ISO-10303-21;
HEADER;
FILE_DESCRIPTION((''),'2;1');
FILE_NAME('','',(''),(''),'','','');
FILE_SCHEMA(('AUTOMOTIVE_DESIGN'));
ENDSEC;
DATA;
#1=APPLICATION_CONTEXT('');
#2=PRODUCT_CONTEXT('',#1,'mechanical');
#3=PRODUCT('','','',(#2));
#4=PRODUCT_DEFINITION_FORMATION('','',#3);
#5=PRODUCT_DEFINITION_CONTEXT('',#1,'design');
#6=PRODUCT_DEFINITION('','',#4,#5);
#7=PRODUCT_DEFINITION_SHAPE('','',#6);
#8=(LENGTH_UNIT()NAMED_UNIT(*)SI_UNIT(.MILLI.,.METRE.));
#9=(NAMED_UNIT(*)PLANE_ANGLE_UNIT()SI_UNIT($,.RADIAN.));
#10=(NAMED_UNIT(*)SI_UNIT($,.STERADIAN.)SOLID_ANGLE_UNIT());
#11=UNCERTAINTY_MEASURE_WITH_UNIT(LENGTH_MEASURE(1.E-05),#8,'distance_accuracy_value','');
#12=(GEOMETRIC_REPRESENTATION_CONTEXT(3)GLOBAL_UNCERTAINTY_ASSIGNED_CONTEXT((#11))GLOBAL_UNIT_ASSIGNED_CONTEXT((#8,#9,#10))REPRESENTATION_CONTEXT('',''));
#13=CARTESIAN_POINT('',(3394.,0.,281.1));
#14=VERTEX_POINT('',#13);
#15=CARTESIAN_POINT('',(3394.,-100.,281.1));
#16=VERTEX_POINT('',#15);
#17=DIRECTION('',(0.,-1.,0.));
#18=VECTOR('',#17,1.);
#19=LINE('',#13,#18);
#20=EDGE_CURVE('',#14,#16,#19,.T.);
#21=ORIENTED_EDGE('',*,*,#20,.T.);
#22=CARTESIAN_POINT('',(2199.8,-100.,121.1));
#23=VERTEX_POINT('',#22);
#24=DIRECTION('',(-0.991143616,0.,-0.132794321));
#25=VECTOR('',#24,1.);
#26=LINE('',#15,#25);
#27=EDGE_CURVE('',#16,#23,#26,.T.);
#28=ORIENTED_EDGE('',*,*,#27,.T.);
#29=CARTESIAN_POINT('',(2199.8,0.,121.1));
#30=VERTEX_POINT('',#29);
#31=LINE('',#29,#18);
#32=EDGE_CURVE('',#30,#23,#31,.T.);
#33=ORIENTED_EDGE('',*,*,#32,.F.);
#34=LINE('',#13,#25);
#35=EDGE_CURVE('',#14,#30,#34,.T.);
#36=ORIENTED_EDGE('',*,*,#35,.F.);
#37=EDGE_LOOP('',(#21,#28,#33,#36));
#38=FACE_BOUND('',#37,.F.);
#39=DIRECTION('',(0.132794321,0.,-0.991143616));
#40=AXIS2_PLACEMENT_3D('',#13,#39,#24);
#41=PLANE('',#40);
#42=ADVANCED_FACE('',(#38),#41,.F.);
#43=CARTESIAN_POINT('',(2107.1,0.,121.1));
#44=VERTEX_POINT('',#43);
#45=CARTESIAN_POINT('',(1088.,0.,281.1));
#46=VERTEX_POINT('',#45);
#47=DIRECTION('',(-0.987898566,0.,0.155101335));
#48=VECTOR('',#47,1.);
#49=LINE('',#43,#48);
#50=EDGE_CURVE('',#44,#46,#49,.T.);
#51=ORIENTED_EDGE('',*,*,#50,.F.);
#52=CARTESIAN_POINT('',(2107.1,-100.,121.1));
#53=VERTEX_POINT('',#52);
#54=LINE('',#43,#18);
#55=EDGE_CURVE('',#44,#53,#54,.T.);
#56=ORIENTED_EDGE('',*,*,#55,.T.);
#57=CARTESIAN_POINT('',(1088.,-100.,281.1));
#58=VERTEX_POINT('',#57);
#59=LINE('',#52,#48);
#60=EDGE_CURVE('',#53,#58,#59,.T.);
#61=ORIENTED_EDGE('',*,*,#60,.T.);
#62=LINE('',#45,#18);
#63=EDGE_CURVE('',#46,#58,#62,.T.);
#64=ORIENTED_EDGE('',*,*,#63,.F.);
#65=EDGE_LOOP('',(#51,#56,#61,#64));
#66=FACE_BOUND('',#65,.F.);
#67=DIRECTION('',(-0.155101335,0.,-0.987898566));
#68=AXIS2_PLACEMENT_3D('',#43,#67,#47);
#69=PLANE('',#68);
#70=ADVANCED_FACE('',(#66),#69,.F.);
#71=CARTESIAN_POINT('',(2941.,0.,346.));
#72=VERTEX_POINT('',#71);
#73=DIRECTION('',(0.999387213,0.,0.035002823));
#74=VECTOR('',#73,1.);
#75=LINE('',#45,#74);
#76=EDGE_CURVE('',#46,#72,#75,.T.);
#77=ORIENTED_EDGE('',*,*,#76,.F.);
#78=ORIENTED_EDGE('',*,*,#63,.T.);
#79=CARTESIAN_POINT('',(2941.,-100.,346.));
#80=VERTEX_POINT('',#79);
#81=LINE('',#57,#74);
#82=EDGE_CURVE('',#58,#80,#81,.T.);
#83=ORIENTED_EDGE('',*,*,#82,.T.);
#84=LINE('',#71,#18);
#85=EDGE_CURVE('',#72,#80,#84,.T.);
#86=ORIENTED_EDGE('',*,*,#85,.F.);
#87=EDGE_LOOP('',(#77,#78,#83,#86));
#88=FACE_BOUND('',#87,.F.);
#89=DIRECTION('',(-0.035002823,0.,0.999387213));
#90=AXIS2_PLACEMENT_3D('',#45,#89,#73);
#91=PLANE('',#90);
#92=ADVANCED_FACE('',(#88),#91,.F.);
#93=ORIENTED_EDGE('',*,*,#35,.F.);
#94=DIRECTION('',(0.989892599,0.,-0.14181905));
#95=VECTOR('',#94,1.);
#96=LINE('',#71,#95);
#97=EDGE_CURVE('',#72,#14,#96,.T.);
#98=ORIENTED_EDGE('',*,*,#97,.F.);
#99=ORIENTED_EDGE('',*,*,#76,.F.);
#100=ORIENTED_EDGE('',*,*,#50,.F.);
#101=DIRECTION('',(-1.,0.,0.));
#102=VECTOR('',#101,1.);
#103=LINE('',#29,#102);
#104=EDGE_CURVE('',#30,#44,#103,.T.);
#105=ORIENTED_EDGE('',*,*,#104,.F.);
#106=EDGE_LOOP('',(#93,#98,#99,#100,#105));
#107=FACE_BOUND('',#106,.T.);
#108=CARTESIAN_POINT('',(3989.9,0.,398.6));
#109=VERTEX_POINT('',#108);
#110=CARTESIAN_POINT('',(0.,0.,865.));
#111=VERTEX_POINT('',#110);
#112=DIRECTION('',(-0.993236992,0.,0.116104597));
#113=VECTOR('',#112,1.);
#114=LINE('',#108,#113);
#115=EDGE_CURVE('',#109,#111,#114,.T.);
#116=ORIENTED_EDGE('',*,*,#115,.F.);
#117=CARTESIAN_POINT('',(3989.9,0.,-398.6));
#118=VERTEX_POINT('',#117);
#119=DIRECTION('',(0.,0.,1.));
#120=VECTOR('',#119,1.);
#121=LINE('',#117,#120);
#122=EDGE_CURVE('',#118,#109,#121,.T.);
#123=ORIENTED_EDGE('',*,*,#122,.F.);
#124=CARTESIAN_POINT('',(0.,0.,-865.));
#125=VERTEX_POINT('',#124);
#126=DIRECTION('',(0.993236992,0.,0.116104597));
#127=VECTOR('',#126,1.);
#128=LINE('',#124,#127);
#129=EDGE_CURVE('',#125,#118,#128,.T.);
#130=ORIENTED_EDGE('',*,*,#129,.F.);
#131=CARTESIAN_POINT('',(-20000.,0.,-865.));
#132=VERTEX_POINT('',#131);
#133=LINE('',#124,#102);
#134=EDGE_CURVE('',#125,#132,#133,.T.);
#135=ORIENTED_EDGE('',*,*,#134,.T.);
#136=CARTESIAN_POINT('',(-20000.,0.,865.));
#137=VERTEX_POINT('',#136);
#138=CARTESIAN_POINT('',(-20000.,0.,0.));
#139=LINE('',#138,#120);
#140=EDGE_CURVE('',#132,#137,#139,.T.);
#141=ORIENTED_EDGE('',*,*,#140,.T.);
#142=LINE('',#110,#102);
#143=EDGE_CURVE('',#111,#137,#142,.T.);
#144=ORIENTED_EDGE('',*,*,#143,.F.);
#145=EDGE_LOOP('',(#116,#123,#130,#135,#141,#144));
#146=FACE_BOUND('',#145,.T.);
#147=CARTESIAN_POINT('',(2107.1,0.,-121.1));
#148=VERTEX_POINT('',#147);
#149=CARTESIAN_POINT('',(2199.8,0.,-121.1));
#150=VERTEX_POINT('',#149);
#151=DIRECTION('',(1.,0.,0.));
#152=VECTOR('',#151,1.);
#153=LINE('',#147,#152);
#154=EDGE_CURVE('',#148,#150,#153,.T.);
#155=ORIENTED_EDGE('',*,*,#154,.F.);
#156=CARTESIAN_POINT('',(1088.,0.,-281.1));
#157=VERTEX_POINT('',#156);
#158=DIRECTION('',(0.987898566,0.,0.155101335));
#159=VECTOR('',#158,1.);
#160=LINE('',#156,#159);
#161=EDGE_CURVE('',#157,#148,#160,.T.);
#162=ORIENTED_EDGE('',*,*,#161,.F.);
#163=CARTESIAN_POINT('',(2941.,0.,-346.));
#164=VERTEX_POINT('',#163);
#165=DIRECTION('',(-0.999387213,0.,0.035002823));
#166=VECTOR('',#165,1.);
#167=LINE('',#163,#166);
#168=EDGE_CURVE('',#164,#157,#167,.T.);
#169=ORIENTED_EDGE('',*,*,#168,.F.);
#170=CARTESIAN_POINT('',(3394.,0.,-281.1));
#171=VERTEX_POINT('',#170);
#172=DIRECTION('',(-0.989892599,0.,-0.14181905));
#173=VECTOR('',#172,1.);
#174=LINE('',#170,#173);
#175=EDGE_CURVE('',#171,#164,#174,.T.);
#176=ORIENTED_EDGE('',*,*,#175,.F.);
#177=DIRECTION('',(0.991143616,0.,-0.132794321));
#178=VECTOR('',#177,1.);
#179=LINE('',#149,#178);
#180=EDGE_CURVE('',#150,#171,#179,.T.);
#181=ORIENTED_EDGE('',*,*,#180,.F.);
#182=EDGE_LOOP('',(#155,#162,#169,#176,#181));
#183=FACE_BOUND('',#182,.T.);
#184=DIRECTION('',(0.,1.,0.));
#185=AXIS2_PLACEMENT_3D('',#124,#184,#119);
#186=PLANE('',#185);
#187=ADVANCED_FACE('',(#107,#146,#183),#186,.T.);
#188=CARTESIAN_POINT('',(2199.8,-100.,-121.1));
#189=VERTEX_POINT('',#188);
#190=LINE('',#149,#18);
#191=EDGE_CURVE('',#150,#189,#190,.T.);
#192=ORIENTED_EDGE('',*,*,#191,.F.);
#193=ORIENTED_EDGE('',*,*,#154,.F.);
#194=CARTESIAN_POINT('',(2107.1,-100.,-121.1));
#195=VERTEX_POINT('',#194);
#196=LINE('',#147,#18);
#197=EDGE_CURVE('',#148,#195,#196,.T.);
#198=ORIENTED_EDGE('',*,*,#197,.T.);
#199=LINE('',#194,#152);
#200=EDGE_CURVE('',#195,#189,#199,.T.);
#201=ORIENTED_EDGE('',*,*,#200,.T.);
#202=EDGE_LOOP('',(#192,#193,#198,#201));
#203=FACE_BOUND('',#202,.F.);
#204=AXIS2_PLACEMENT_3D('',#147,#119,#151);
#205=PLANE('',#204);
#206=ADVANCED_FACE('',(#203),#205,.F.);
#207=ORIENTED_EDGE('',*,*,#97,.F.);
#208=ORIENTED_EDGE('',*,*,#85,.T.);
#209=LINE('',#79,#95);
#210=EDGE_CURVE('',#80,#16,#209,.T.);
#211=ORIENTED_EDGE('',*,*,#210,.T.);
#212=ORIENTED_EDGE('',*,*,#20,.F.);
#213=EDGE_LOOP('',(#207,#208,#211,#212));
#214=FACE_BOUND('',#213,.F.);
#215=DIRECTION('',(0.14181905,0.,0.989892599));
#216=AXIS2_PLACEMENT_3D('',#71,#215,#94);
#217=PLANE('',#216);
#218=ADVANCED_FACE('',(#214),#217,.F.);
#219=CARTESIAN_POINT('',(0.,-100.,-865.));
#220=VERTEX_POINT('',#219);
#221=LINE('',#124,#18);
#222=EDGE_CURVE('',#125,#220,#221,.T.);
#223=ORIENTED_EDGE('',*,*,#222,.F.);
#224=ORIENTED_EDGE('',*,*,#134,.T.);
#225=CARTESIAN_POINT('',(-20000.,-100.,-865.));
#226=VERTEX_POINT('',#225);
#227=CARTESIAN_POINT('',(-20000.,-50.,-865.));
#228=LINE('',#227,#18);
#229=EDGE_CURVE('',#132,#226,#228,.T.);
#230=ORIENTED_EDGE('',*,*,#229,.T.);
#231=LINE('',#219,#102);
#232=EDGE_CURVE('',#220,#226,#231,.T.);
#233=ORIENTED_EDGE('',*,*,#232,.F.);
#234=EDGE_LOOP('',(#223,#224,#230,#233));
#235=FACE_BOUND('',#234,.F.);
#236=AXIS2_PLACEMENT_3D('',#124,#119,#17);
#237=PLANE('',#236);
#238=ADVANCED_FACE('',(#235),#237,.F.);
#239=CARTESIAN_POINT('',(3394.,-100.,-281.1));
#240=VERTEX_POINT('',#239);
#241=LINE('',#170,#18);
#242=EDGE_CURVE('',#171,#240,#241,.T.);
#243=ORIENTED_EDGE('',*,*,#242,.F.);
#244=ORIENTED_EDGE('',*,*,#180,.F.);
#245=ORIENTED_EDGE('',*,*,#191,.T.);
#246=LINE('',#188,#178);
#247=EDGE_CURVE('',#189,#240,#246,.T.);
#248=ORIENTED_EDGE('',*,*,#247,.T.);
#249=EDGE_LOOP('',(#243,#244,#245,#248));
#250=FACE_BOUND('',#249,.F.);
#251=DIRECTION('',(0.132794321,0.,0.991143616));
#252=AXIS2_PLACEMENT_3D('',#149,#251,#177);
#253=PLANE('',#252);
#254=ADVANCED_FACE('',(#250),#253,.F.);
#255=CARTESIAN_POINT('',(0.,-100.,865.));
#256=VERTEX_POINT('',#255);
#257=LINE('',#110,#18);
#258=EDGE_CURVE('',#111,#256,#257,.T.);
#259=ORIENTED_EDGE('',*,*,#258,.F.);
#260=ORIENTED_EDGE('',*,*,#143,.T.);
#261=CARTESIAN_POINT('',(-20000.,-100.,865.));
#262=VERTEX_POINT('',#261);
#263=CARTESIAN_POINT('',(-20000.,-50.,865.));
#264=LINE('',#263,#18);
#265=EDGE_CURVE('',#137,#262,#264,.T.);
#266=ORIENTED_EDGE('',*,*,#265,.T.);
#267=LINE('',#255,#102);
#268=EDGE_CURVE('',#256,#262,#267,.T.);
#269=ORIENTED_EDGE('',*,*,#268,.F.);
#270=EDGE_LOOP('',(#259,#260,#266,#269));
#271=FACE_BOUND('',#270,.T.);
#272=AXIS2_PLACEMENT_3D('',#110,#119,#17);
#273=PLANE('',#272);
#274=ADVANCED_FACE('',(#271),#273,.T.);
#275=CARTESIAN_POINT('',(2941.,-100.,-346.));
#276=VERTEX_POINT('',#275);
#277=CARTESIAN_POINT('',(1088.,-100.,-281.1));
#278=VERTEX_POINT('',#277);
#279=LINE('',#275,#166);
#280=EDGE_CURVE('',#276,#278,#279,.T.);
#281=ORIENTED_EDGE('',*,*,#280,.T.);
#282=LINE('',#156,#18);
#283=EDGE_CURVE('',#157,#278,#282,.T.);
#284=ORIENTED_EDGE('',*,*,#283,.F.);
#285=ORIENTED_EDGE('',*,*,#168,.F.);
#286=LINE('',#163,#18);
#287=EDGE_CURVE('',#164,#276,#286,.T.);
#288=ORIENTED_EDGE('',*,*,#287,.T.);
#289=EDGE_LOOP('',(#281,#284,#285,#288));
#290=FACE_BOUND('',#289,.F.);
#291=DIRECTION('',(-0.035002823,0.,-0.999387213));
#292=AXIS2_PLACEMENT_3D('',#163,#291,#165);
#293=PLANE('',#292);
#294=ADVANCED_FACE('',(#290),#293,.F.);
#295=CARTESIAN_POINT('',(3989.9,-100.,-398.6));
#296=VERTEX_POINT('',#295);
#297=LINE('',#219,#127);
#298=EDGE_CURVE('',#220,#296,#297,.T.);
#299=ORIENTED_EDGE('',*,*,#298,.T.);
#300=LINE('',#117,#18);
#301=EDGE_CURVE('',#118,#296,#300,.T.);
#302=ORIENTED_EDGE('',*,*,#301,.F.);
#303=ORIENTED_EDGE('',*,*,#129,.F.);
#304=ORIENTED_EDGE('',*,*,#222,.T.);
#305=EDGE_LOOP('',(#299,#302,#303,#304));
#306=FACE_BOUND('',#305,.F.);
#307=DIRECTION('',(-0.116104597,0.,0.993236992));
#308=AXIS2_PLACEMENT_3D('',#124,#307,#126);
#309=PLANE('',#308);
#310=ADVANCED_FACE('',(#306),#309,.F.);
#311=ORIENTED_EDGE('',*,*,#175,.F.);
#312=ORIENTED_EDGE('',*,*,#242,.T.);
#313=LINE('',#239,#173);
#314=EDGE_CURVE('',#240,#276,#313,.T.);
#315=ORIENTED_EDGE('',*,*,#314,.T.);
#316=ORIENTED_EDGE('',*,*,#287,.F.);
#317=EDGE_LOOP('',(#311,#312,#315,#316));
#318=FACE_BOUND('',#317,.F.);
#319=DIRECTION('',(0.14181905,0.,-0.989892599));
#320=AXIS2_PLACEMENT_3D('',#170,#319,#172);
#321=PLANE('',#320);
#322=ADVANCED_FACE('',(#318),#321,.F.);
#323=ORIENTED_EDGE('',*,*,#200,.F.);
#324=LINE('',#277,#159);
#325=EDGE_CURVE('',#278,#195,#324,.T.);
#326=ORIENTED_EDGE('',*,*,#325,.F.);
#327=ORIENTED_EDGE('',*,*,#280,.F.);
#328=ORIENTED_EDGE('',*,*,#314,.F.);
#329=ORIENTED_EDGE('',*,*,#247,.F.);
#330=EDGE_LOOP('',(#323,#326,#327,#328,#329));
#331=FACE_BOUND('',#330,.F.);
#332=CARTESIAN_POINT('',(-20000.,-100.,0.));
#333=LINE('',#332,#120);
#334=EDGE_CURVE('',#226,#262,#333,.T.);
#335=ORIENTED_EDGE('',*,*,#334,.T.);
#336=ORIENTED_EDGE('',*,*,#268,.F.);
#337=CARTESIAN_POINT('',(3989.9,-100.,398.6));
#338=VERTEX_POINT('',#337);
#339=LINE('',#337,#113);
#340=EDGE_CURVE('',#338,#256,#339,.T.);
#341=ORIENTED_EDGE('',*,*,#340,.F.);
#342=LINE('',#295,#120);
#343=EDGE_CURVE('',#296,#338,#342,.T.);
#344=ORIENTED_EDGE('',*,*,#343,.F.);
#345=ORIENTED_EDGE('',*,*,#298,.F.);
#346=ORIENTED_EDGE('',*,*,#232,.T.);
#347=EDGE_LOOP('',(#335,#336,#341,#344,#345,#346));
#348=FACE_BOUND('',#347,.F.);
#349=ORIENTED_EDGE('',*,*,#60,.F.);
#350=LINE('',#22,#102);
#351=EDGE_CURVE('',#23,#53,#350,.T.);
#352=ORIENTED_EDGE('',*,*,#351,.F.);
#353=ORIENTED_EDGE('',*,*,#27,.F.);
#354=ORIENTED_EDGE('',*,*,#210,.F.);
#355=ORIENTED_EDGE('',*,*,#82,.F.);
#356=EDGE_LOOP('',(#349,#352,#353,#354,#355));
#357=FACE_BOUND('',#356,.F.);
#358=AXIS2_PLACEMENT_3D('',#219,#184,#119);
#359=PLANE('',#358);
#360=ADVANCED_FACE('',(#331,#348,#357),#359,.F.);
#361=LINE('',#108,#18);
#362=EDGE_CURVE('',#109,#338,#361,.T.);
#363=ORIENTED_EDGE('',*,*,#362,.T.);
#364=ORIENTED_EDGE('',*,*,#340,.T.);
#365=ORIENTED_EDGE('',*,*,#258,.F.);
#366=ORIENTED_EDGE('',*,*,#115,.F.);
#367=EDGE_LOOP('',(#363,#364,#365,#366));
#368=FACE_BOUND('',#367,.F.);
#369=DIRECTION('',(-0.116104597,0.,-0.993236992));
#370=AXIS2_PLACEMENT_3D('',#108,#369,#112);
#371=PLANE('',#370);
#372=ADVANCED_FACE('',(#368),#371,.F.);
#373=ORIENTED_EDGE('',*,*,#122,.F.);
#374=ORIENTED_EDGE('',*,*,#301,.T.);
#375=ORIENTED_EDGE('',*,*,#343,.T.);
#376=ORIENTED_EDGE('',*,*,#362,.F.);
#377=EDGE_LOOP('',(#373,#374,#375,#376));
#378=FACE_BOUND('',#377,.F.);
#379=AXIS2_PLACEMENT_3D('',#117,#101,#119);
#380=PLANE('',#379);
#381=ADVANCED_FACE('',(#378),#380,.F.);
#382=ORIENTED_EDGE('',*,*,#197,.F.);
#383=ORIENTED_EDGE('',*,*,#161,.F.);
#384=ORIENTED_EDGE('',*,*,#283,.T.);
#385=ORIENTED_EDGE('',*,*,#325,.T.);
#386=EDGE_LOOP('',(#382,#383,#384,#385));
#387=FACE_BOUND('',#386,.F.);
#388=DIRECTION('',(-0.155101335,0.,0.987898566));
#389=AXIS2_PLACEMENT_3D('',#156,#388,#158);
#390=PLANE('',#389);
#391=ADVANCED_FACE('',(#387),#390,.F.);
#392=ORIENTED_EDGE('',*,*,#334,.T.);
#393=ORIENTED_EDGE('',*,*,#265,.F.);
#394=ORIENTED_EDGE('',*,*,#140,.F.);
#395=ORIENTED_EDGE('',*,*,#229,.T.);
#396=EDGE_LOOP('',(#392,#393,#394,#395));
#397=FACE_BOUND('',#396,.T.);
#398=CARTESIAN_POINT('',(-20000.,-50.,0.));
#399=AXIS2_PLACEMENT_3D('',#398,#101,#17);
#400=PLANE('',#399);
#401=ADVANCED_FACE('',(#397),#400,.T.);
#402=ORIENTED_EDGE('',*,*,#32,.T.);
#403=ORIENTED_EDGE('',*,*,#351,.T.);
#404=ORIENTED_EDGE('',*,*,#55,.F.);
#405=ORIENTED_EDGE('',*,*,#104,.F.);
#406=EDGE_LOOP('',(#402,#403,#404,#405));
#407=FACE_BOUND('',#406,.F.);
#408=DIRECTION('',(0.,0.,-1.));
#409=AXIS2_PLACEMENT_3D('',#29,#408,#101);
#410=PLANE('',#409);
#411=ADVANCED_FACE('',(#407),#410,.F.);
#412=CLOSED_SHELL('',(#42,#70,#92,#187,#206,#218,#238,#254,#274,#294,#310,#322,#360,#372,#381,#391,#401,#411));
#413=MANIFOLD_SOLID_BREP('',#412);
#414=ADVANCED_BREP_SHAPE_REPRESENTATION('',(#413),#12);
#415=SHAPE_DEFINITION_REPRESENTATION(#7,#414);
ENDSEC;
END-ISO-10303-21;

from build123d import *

# Parameters (mm, degrees)
F1_DEPTH  = 100
F1_FACE_W = 100
F1_FACE_H = 1730
F2_DEPTH  = 20000


with BuildPart() as f1:
    # F0 (on Front) → F1 (new body)
    with BuildSketch(Plane.XZ):
        Polygon((3989.9, 0), (3989.9, 398.6), (0, 865), (0, 0), (0, -865), (3989.9, -398.6), align=None)
        Polygon((3394, -281.1), (2941, -346), (1088, -281.1), (2107.1, -121.1), (2199.8, -121.1), align=None, mode=Mode.SUBTRACT)
        Polygon((2107.1, 121.1), (1088, 281.1), (2941, 346), (3394, 281.1), (2199.8, 121.1), align=None, mode=Mode.SUBTRACT)
    extrude(amount=F1_DEPTH)

    # F1_face (on face) → F2 (join)
    with BuildSketch(Plane(origin=(0, -50, 0), x_dir=(0, -1, 0), z_dir=(-1, 0, 0))):
        Rectangle(F1_FACE_W, F1_FACE_H)
    extrude(amount=F2_DEPTH)


solid = f1.part
